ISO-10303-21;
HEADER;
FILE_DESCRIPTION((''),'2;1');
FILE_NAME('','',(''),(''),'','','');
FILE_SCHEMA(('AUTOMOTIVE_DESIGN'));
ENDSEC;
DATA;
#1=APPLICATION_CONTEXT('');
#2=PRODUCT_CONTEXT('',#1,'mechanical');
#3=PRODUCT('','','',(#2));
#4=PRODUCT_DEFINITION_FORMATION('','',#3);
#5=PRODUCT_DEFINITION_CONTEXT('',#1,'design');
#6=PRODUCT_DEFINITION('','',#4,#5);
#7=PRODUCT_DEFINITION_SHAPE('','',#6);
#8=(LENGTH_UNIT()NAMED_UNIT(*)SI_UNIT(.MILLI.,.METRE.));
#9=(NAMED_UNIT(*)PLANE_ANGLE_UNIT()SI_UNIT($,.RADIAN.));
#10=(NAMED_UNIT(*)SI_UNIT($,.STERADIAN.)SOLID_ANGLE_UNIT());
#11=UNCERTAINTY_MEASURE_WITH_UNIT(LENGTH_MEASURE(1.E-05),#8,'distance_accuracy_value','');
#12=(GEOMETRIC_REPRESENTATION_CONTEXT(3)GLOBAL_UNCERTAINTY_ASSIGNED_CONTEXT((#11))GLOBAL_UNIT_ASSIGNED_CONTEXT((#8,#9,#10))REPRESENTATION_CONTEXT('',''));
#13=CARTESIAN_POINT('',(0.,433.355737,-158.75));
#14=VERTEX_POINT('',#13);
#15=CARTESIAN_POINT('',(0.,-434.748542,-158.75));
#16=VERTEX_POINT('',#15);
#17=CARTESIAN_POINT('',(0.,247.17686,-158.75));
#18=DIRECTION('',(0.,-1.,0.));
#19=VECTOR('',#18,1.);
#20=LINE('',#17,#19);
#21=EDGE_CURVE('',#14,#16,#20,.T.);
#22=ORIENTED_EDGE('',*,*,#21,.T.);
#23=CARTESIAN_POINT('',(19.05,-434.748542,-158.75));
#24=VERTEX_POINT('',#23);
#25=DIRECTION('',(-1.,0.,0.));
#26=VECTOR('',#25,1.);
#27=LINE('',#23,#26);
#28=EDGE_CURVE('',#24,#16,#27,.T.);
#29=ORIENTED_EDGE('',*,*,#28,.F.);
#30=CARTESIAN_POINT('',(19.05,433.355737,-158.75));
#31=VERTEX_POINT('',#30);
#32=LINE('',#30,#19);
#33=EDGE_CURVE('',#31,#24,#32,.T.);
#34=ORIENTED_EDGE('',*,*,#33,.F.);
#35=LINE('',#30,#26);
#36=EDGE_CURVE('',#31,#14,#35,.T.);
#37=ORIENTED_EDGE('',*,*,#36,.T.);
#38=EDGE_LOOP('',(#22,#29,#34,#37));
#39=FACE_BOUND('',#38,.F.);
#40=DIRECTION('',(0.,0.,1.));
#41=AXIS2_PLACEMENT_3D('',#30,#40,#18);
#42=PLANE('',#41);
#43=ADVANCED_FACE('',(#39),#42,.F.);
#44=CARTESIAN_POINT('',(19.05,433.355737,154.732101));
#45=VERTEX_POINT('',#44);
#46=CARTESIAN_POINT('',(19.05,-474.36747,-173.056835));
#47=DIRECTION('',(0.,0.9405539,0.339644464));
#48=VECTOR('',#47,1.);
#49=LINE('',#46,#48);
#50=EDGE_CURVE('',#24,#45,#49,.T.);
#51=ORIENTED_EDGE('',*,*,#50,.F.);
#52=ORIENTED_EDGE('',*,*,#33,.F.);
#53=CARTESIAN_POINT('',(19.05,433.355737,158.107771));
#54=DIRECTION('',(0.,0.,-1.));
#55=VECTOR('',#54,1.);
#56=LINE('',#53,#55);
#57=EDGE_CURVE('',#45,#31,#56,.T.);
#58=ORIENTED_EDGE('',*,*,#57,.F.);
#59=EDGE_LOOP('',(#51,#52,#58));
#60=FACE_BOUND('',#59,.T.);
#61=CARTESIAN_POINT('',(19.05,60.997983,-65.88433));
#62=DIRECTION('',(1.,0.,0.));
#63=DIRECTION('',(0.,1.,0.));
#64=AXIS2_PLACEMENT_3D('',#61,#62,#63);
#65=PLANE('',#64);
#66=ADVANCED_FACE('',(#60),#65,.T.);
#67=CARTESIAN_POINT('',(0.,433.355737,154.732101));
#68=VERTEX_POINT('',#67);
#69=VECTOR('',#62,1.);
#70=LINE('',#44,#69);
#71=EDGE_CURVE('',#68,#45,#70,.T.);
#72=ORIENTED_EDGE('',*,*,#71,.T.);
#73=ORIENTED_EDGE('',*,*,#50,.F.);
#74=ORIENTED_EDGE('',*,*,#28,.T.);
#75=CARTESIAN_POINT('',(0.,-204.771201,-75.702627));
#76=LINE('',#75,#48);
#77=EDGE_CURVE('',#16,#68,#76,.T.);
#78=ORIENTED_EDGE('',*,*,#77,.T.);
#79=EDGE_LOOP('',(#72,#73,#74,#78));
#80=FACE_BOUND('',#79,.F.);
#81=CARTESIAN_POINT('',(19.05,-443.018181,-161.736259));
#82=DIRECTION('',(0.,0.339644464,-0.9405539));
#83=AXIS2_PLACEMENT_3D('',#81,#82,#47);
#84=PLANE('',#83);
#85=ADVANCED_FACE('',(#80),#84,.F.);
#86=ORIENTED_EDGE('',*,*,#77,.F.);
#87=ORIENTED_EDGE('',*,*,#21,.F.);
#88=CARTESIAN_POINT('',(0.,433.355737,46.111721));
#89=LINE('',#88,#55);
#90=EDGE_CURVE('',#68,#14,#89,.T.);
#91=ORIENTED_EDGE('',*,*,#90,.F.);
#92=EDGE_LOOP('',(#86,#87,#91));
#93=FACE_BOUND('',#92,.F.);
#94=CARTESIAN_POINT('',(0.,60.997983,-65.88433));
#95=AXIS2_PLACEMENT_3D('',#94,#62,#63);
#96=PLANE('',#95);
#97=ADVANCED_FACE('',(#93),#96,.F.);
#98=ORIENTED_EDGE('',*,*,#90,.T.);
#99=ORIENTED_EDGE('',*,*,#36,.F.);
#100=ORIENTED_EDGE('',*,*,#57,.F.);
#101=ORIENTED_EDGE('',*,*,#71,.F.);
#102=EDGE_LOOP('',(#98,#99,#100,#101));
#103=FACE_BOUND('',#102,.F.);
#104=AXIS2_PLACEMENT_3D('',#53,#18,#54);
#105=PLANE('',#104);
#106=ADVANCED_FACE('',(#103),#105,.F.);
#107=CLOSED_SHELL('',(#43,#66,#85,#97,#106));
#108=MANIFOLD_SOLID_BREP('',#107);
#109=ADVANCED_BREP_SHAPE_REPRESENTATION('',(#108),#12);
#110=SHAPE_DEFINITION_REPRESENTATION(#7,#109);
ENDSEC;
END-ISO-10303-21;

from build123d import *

# Parameters (mm, degrees)
F1_DEPTH = 19.05
F3_DEPTH = 25.4
F4_DEPTH = 3.175


with BuildPart() as f1:
    # F0 (on Right) → F1 (new body)
    with BuildSketch(Plane.YZ):
        with BuildLine():
            ThreePointArc((482.6, 127), (467.7210244843, 162.9210244843), (431.8, 177.8))
            Line((431.8, 177.8), (-482.6, -152.4))
            ThreePointArc((-482.6, -152.4), (-475.1605122421, -170.3605122421), (-457.2, -177.8))
            Line((-457.2, -177.8), (431.8, -177.8))
            ThreePointArc((431.8, -177.8), (467.7210244843, -162.9210244843), (482.6, -127))
            Line((482.6, -127), (482.6, 127))
        make_face()
    extrude(amount=F1_DEPTH)

    # F2 (on face) → F3 (cut)
    with BuildSketch(Plane.YZ.offset(19.05)):
        with BuildLine():
            Line((461.4467891453, 168.2517623063), (433.3557372898, 158.1077713585))
            Line((433.3557372898, 158.1077713585), (433.3557372898, -158.75))
            Line((433.3557372898, -158.75), (471.4557372898, -158.75))
            ThreePointArc((471.4557372898, -158.75), (479.733033778, -143.8245140446), (482.6, -127))
            Line((482.6, -127), (482.6, 127))
            ThreePointArc((482.6, 127), (477.0034118656, 150.1795503776), (461.4467891453, 168.2517623063))
        make_face()
        with BuildLine():
            Line((431.8, 177.8), (-25.4, 12.7))
            Line((-25.4, 12.7), (-18.929772965, -5.2175517891))
            Line((-18.929772965, -5.2175517891), (433.3557372898, 158.1077713585))
            Line((433.3557372898, 158.1077713585), (461.4467891453, 168.2517623063))
            ThreePointArc((461.4467891453, 168.2517623063), (447.3732218061, 175.3540563198), (431.8, 177.8))
        make_face()
        with BuildLine():
            Line((-18.929772965, -5.2175517891), (-25.4, 12.7))
            Line((-25.4, 12.7), (-482.6, -152.4))
            ThreePointArc((-482.6, -152.4), (-480.7436230259, -161.931936572), (-475.4458413533, -170.0705764849))
            Line((-475.4458413533, -170.0705764849), (-444.0965526259, -158.75))
            Line((-444.0965526259, -158.75), (-18.929772965, -5.2175517891))
        make_face()
        with BuildLine():
            Line((-12.7, -158.75), (-444.0965526259, -158.75))
            Line((-444.0965526259, -158.75), (-475.4458413533, -170.0705764849))
            ThreePointArc((-475.4458413533, -170.0705764849), (-467.1077585074, -175.7879524832), (-457.2, -177.8))
            Line((-457.2, -177.8), (-12.7, -177.8))
            Line((-12.7, -177.8), (-12.7, -158.75))
        make_face()
        with BuildLine():
            Line((471.4557372898, -158.75), (433.3557372898, -158.75))
            Line((433.3557372898, -158.75), (-12.7, -158.75))
            Line((-12.7, -158.75), (-12.7, -177.8))
            Line((-12.7, -177.8), (431.8, -177.8))
            ThreePointArc((431.8, -177.8), (453.7970452561, -172.7905011984), (471.4557372898, -158.75))
        make_face()
    extrude(amount=-F3_DEPTH, mode=Mode.SUBTRACT)

    # F4 (cut): a face of the model
    f4_faces = [f1.faces().sort_by_distance(p)[0] for p in [
        (9.525, -5.370407668, -0.3211143208),
    ]]
    extrude(f4_faces, amount=-F4_DEPTH, mode=Mode.SUBTRACT)


solid = f1.part
